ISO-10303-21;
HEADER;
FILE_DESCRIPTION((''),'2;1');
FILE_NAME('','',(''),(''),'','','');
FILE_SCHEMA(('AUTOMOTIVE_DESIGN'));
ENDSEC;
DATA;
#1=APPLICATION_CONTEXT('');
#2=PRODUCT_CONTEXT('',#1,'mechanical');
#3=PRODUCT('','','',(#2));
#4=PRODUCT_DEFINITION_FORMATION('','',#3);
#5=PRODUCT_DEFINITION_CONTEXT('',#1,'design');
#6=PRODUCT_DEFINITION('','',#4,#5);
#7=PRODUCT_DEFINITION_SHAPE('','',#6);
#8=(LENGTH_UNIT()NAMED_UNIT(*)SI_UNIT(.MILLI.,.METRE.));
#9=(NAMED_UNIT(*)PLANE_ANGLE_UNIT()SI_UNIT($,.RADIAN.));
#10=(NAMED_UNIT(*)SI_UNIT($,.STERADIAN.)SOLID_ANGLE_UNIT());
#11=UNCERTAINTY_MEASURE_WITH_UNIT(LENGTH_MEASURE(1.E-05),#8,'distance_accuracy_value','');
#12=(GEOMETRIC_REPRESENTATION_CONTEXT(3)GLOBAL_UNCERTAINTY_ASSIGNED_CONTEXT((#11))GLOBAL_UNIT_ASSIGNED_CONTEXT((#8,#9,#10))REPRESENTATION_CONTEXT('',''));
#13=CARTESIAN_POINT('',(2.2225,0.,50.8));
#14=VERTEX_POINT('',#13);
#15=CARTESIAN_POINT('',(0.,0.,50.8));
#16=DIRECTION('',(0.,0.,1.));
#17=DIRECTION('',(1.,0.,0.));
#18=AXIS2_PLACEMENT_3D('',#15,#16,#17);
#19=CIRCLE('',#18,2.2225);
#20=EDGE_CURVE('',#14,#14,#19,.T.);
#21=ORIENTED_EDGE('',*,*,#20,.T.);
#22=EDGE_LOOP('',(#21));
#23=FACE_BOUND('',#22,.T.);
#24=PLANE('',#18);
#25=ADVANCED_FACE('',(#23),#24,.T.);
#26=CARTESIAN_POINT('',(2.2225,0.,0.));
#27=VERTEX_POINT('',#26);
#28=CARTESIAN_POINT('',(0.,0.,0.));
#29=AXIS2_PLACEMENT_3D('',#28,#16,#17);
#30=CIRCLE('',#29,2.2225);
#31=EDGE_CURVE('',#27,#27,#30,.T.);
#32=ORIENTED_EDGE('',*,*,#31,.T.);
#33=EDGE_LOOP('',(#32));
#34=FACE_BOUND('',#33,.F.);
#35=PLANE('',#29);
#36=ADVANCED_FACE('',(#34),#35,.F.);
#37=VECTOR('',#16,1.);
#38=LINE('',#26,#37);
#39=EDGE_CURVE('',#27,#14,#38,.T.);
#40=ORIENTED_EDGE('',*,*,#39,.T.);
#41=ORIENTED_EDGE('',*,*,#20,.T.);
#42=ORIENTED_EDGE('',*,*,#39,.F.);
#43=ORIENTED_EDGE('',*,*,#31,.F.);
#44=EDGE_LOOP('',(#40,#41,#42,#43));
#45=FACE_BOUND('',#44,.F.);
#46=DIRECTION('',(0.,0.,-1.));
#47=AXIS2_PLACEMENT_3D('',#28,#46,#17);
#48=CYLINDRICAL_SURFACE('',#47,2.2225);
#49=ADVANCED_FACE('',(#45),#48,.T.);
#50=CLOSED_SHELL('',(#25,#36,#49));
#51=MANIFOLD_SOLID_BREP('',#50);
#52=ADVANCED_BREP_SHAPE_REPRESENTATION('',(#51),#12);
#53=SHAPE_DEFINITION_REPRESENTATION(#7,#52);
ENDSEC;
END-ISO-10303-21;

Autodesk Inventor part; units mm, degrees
ref_plane "YZ Plane" through (0, 0, 0) normal (1, 0, 0) x (0, 1, 0)
ref_plane "XZ Plane" through (0, 0, 0) normal (0, 1, 0) x (-1, 0, 0)
ref_plane "XY Plane" through (0, 0, 0) normal (0, 0, 1) x (1, 0, 0)
sketch "Sketch1" plane through (0, 0, 0) normal (0, 0, 1) x (1, 0, 0)
  circle A0 centre (0, 0) radius 2.2225
  dimension "d0" = 4.445
extrude "Extrusion1" add sketch "Sketch1" along normal blind 50.8
thread "Thread1" size "10-24 UNC" class "2A" standard "ANSI Unified Screw Threads" full length
properties part number "RollerThing2"
